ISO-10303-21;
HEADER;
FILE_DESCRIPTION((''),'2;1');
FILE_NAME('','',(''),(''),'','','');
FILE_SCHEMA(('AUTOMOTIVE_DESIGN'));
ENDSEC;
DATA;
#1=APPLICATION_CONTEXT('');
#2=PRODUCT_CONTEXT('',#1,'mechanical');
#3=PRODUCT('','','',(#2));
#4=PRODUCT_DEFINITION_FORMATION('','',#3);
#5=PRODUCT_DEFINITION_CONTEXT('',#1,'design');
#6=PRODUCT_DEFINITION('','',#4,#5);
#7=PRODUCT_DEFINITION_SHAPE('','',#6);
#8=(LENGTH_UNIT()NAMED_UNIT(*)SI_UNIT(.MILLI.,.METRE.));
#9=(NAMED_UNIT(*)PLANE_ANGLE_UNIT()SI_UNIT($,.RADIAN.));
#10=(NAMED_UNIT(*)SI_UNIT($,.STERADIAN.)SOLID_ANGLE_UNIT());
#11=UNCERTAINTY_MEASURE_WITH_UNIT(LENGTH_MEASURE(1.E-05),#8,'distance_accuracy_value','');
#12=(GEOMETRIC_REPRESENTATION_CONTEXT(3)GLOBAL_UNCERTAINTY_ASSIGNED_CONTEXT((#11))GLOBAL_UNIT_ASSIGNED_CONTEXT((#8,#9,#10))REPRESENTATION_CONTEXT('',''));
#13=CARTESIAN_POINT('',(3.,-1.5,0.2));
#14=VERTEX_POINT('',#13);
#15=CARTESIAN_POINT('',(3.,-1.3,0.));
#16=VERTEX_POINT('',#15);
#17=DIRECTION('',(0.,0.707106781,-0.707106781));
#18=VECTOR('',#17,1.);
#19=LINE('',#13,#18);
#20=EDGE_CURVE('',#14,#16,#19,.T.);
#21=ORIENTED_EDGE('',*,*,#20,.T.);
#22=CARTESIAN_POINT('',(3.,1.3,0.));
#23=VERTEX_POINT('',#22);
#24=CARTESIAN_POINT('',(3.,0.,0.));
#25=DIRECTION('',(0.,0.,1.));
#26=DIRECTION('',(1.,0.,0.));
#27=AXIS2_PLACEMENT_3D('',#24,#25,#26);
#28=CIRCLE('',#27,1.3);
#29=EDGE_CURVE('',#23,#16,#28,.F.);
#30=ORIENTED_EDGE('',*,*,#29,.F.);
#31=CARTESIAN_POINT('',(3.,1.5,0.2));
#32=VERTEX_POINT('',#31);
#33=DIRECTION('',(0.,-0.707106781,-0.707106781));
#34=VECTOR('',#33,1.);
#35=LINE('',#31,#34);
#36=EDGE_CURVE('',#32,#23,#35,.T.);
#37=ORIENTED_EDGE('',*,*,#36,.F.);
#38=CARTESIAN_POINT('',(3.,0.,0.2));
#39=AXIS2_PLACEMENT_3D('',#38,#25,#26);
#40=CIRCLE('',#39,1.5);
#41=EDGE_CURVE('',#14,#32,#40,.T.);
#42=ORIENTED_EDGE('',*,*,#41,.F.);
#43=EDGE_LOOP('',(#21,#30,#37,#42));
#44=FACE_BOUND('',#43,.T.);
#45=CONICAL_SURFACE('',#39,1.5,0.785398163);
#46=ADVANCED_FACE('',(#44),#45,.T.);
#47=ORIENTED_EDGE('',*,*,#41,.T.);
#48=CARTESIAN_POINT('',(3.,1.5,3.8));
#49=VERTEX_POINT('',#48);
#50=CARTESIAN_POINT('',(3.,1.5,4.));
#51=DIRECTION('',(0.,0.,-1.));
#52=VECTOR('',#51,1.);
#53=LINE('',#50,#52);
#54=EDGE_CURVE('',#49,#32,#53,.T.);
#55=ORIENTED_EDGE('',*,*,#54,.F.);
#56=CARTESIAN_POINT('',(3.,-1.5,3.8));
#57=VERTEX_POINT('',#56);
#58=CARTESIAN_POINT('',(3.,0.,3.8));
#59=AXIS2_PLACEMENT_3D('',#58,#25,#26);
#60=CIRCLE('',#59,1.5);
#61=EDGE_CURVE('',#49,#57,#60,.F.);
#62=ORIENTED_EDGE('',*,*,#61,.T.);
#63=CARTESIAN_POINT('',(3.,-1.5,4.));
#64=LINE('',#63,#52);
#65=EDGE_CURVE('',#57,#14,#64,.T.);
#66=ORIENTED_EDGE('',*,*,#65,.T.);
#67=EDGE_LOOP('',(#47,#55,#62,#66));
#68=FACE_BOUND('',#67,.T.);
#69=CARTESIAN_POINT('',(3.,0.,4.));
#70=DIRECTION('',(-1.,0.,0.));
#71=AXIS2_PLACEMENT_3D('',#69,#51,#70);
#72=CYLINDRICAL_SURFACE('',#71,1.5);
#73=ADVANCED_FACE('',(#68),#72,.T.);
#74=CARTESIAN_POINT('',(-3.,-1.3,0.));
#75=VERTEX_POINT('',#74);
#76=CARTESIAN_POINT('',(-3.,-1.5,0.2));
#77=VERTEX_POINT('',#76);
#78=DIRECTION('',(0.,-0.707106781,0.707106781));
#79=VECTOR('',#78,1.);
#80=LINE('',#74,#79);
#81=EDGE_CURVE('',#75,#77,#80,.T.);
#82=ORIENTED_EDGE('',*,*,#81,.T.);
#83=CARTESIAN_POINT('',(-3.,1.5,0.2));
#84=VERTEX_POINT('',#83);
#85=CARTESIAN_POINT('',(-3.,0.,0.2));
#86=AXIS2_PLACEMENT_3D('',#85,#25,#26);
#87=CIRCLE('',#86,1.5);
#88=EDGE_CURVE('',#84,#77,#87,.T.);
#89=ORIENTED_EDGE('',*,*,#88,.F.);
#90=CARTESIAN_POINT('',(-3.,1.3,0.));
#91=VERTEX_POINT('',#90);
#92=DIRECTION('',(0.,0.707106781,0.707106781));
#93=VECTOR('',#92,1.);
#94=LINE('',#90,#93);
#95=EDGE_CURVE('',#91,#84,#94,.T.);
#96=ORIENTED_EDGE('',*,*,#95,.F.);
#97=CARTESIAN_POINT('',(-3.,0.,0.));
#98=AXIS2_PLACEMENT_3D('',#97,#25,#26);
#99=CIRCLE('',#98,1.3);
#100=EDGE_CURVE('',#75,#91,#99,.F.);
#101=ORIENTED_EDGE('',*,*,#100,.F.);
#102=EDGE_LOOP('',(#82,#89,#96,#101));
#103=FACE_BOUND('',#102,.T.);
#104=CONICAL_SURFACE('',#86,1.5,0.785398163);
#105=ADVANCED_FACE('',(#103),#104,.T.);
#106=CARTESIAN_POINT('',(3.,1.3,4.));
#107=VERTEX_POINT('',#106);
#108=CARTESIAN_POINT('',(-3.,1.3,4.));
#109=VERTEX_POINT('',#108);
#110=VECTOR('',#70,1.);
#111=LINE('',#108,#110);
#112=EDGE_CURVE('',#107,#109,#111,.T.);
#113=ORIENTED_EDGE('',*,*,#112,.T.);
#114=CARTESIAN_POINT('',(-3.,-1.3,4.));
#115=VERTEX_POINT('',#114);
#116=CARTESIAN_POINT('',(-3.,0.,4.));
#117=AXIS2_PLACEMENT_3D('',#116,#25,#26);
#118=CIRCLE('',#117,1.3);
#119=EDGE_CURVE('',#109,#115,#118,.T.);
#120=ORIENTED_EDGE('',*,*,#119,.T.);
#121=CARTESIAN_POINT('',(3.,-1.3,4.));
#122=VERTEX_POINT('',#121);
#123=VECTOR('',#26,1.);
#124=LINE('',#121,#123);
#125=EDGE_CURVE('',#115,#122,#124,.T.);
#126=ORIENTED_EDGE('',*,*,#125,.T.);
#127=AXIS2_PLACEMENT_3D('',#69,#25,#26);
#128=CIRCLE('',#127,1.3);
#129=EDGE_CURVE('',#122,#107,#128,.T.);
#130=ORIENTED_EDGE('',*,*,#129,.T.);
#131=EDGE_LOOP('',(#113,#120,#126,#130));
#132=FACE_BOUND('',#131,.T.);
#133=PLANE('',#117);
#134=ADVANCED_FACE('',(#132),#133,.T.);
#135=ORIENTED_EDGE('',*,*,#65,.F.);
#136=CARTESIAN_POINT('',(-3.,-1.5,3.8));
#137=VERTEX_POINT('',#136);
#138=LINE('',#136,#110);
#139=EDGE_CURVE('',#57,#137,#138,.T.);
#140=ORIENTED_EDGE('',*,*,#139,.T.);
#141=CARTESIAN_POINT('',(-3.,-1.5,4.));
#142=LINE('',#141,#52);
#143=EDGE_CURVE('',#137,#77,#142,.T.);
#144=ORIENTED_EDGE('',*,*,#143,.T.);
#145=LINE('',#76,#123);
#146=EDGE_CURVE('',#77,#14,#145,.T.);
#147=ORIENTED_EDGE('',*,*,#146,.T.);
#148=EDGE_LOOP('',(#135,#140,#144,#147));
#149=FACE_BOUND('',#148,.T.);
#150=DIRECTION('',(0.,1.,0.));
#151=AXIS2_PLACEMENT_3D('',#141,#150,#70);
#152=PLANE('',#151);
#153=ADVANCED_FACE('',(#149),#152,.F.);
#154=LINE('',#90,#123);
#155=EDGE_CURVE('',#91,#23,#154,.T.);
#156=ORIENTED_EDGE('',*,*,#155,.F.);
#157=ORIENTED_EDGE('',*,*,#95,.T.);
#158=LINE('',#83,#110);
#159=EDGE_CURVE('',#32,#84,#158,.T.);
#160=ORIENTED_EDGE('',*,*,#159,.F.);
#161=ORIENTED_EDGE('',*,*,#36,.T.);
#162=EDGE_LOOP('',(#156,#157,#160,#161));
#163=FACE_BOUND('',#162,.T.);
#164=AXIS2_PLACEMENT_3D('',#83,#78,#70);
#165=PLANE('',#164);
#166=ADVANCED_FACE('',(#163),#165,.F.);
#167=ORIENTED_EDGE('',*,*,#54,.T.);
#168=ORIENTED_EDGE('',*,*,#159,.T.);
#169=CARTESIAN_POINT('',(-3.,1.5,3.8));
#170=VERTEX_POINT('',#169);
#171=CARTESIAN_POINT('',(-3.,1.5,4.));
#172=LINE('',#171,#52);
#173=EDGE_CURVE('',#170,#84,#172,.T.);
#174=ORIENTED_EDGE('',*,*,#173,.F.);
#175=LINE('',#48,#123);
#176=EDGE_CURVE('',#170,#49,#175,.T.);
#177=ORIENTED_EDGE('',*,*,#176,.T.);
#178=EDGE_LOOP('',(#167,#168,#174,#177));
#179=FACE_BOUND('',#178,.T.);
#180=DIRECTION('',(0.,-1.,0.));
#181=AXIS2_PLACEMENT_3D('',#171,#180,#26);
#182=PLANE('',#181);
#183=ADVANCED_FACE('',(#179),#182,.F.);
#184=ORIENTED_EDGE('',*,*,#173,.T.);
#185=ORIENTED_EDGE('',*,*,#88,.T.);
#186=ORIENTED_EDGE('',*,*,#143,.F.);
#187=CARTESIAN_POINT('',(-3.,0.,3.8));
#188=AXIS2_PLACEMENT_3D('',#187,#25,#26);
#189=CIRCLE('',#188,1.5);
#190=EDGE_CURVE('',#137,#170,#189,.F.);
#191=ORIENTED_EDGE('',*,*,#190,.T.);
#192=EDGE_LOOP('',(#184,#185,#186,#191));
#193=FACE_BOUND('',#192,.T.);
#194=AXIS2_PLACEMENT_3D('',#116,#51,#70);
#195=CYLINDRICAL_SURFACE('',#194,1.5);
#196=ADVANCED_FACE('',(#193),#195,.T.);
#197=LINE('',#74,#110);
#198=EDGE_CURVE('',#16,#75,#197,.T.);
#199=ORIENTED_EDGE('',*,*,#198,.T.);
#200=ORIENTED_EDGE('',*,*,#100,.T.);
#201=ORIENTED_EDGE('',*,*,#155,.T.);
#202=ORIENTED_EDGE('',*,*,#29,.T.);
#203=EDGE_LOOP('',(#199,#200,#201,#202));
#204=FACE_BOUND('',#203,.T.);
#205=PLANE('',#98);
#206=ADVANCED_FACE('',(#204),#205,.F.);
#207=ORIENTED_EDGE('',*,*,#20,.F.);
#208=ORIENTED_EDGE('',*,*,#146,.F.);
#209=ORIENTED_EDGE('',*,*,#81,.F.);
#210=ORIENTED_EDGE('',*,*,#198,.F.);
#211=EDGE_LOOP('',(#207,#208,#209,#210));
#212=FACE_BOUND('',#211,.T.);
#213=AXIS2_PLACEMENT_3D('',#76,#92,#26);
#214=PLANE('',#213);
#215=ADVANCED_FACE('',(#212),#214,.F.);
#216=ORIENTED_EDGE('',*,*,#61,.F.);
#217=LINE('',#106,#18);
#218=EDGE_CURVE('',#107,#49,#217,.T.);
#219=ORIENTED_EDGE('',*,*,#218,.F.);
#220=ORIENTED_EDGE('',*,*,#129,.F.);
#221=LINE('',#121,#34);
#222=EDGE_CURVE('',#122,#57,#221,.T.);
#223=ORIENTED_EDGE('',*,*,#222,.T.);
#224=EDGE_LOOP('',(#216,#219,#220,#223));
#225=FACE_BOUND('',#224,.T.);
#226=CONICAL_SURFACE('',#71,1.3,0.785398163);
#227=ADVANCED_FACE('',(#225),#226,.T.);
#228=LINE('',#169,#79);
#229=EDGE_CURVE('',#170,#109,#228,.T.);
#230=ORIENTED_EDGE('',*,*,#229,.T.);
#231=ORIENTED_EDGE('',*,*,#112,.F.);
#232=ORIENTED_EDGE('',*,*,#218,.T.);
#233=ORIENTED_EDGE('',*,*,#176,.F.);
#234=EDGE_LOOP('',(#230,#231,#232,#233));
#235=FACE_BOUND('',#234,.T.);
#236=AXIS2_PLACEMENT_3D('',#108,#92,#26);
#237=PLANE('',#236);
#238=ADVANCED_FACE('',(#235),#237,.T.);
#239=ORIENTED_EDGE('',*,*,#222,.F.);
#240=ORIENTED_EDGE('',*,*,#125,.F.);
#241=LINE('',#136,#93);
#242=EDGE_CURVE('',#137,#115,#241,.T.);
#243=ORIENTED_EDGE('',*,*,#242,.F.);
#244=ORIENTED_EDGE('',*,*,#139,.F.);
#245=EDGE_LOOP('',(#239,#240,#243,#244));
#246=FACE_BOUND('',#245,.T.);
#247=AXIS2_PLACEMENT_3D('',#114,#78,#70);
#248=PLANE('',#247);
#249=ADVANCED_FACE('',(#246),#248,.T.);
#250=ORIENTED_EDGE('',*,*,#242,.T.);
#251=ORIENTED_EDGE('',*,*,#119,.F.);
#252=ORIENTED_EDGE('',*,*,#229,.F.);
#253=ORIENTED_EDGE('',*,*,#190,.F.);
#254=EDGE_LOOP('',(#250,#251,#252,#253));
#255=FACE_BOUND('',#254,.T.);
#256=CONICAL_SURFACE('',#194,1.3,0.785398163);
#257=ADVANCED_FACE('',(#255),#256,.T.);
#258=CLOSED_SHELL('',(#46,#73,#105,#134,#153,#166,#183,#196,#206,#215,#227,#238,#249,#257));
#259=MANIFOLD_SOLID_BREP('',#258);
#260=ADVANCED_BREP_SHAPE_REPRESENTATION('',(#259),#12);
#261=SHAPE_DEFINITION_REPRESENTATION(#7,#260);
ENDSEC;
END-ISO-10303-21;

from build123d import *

# Parameters (mm, degrees)
EXTRUDE_1_DEPTH = 4
CHAMFER_1_SIZE  = 0.2


with BuildPart() as part:
    # Sketch 1 → Extrude 1 (new body)
    with BuildSketch(Plane.XY):
        with BuildLine():
            Line((-3, 1.5), (3, 1.5))
            ThreePointArc((3, 1.5), (4.5, 0), (3, -1.5))
            Line((3, -1.5), (-3, -1.5))
            ThreePointArc((-3, -1.5), (-4.5, 0), (-3, 1.5))
        make_face()
    extrude(amount=EXTRUDE_1_DEPTH)

    # Chamfer 1
    chamfer_1_edges = [part.edges().sort_by_distance(p)[0] for p in [
        (4.5, 0, 4),
        (0, 1.5, 4),
        (-4.5, 0, 4),
        (0, 1.5, 0),
        (4.5, 0, 0),
        (0, -1.5, 0),
        (-4.5, 0, 0),
        (0, -1.5, 4),
    ]]
    chamfer(chamfer_1_edges, length=CHAMFER_1_SIZE)


solid = part.part
